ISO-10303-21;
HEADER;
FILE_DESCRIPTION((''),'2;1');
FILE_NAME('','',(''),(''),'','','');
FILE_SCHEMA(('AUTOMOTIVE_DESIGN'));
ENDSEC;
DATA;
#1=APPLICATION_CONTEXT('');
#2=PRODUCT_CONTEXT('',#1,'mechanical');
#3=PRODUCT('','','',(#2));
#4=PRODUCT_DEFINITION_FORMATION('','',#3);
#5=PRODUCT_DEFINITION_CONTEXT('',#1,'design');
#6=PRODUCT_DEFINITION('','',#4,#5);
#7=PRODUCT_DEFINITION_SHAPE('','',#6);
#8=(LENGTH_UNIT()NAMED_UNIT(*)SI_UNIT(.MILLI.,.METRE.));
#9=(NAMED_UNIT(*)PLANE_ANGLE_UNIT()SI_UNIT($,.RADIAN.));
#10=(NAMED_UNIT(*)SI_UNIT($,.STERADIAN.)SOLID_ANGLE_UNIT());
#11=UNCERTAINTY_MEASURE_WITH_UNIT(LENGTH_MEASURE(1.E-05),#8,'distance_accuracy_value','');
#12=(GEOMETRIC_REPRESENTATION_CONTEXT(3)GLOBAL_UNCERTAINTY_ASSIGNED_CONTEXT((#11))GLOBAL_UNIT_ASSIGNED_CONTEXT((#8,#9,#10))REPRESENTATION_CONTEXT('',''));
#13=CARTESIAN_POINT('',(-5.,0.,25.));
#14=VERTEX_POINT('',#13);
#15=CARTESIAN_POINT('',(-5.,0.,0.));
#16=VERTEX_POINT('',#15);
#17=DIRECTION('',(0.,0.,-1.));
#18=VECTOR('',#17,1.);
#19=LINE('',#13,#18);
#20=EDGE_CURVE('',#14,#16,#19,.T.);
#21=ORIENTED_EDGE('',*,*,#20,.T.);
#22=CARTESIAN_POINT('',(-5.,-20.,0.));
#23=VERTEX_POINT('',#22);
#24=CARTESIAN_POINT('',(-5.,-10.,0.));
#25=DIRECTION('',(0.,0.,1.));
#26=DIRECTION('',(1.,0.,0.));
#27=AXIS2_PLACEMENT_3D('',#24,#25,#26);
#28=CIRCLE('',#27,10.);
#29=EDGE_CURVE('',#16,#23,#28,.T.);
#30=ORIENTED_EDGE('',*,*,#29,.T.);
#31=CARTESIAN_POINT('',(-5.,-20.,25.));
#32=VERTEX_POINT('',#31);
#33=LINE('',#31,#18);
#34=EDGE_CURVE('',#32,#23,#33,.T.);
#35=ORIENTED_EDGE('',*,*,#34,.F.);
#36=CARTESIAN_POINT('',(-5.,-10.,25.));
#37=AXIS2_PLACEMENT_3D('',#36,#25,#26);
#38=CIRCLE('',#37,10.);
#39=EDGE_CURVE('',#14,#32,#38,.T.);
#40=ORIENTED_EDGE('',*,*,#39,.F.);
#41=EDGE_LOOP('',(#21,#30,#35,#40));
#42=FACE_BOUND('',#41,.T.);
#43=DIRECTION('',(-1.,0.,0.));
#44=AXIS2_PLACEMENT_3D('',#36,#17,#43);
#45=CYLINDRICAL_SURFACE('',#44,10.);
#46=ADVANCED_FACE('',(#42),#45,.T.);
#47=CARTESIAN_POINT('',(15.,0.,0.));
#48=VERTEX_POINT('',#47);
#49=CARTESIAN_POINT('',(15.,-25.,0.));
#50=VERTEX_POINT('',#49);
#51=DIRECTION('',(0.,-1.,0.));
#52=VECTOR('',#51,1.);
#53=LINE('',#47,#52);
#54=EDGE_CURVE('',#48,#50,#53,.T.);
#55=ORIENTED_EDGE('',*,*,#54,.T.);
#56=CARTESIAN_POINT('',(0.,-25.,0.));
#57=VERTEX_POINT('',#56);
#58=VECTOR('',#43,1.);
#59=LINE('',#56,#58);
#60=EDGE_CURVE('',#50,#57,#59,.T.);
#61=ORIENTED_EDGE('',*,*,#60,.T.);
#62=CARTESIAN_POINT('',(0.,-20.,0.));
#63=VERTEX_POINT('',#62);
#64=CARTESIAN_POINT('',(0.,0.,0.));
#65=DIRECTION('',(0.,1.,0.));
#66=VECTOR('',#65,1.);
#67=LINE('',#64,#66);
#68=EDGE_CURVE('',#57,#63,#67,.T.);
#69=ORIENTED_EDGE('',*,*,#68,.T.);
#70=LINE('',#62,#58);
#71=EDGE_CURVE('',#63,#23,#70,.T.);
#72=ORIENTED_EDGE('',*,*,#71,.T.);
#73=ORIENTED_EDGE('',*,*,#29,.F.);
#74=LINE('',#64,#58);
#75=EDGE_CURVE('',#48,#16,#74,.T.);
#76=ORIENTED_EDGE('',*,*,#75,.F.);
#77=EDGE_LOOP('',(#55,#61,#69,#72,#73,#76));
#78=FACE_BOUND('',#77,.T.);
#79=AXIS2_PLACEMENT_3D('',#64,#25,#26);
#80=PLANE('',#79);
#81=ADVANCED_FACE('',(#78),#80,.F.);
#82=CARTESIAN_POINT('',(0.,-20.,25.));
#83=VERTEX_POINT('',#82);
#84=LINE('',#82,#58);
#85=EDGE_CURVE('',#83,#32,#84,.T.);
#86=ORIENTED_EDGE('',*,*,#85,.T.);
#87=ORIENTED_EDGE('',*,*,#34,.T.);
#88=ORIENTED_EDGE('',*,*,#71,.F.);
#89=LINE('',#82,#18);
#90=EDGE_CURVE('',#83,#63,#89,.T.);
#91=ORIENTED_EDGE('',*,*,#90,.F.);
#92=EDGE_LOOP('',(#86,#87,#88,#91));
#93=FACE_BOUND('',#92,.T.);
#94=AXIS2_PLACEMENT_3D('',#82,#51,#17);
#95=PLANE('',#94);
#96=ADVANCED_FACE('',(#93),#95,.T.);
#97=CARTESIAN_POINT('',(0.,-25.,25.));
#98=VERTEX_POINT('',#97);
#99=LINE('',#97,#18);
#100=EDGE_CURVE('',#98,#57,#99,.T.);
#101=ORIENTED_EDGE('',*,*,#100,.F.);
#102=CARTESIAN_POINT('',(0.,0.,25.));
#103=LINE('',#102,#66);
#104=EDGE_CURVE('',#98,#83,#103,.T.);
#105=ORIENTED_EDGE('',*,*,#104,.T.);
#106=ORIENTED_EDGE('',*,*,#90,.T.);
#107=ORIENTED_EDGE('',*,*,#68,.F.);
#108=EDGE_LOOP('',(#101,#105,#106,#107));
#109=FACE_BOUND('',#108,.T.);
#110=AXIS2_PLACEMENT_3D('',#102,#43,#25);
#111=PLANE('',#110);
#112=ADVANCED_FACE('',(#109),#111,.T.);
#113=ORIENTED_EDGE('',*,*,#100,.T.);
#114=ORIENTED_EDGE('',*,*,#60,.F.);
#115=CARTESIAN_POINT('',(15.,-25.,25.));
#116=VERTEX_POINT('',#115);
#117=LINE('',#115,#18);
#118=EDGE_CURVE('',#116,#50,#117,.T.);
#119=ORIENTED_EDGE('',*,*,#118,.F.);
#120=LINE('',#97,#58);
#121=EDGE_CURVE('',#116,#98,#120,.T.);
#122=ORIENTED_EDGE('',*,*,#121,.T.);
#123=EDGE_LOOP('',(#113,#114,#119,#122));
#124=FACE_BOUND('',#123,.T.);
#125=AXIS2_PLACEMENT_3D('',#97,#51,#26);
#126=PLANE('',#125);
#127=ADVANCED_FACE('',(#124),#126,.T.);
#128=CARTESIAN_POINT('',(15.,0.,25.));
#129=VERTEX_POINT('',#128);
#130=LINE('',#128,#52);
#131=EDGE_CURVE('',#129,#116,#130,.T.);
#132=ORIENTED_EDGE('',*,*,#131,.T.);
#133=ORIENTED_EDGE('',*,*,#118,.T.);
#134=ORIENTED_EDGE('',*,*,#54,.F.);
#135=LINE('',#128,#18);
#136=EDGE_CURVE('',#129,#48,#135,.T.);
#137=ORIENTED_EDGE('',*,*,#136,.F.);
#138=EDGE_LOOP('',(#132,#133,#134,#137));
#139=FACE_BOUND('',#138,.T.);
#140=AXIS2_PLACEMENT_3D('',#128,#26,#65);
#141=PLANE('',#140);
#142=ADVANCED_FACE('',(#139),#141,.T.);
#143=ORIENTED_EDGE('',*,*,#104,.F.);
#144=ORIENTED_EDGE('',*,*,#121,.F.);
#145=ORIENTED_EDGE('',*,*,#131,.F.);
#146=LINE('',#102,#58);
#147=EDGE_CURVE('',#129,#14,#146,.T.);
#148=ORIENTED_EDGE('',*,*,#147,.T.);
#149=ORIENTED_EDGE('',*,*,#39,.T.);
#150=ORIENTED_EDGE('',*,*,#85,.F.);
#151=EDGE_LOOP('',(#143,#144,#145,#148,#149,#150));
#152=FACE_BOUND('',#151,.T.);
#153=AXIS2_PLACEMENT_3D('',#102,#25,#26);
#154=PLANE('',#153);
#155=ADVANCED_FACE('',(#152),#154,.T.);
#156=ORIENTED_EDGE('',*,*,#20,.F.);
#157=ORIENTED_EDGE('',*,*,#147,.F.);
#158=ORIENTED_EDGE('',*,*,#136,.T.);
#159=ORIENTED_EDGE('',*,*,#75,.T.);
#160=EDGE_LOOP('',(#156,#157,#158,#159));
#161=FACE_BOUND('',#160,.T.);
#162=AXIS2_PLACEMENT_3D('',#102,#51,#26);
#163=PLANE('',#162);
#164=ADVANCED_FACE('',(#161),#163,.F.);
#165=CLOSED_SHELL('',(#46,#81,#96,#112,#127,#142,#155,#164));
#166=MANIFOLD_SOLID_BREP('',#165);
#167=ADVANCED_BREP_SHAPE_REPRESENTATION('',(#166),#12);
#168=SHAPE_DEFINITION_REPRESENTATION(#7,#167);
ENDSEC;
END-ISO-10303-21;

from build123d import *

# Parameters (mm, degrees)
SKETCH1_W           = 15
SKETCH1_H           = 25
BOSS_EXTRUDE1_DEPTH = 25


with BuildPart() as part:
    # Sketch1 → Boss-Extrude1 (new body)
    with BuildSketch(Plane.XY):
        with BuildLine():
            Line((0, -20), (0, 0))
            Line((0, 0), (-5, 0))
            ThreePointArc((-5, 0), (-15, -10), (-5, -20))
            Line((-5, -20), (0, -20))
        make_face()
        with Locations((7.5, -12.5)):
            Rectangle(SKETCH1_W, SKETCH1_H)
    extrude(amount=BOSS_EXTRUDE1_DEPTH)


solid = part.part
